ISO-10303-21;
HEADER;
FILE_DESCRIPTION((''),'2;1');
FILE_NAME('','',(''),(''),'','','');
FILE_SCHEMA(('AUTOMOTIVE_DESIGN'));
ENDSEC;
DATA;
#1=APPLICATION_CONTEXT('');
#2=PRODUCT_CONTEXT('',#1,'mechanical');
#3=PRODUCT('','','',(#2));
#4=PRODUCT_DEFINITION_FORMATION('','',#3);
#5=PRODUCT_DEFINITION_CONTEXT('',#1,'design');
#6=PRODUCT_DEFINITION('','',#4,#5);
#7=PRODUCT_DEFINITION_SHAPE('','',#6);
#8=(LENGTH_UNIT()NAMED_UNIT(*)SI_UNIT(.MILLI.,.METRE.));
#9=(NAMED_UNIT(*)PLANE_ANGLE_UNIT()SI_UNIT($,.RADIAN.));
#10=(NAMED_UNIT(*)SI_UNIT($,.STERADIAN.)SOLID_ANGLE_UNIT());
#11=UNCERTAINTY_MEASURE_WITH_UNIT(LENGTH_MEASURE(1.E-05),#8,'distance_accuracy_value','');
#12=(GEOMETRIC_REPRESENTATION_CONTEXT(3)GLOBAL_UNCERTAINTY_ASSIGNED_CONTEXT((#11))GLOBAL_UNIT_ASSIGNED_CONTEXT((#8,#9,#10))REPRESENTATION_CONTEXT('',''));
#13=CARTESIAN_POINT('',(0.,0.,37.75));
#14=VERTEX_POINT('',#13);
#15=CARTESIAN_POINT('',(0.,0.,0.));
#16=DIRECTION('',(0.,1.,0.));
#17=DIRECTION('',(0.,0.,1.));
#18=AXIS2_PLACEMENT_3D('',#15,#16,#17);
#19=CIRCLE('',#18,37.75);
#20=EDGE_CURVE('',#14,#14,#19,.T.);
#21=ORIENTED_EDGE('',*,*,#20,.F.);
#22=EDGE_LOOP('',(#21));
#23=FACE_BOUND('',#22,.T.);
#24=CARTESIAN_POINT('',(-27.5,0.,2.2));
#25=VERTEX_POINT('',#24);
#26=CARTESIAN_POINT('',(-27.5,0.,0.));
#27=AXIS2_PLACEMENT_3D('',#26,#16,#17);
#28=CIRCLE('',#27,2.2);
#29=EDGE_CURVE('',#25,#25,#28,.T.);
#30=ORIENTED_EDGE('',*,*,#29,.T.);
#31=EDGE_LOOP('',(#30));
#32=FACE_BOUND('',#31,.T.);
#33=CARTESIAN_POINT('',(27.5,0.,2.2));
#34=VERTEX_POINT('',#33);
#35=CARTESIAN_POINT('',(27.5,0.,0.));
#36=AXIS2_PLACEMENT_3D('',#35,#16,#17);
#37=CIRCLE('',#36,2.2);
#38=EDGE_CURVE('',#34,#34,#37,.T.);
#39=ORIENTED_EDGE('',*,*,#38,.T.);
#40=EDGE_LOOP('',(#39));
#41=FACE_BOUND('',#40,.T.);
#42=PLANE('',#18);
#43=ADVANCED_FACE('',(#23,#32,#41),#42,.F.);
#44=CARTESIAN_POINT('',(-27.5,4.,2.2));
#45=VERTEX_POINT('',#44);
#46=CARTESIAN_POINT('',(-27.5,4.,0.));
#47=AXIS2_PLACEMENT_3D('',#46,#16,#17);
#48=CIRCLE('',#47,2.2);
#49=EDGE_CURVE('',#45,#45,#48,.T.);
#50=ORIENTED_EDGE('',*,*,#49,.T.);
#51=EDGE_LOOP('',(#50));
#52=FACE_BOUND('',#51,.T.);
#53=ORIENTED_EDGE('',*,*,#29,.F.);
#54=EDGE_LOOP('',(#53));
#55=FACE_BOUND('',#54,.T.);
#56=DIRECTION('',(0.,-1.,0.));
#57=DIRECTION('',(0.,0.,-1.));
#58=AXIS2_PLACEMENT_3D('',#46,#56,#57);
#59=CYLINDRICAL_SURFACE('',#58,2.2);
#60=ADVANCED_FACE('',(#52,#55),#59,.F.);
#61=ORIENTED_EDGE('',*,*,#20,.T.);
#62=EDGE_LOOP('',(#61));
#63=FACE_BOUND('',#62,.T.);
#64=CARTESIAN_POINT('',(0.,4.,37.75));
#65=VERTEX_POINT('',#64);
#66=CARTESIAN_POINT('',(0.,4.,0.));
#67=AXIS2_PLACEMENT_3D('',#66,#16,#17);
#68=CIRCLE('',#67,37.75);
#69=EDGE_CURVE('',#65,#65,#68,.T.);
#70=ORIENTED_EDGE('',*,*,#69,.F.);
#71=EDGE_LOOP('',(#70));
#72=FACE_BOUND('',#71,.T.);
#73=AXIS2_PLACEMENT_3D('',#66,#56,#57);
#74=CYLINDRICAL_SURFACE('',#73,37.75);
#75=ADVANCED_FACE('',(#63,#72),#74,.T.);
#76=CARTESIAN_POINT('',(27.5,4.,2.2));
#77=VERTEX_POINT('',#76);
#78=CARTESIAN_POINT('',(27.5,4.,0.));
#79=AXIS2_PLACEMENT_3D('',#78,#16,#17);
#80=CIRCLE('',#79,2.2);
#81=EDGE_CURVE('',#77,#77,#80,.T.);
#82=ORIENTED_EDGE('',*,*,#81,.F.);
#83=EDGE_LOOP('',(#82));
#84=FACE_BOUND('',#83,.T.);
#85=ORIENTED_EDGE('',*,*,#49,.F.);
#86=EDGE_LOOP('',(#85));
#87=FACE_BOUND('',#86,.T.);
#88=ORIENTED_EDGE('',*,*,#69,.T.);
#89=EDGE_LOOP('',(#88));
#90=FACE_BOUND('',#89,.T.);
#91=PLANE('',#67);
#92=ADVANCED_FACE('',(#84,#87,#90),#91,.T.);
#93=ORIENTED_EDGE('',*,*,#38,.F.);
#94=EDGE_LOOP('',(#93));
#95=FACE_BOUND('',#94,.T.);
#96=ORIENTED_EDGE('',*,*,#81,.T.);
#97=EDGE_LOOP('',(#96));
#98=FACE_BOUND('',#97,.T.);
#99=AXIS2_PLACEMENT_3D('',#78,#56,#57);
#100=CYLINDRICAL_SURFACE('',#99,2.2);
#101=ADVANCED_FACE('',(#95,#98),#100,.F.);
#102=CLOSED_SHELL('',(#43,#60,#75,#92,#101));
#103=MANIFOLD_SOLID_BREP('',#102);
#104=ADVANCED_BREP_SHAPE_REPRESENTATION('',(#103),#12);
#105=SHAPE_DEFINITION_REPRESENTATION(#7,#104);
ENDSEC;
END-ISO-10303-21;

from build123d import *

# Parameters (mm, degrees)
SKETCH1_R           = 37.75
SKETCH1_R_2         = 2.2
BOSS_EXTRUDE1_DEPTH = 4


with BuildPart() as part:
    # Sketch1 → Boss-Extrude1 (new body)
    with BuildSketch(Plane(origin=(0, 0, 0), x_dir=(1, 0, 0), z_dir=(0, 1, 0))):
        with Locations(Location((0, 0, 0), (0, 0, 270))):
            Circle(SKETCH1_R)
        with Locations(Location((-27.5, 0, 0), (0, 0, 270))):
            Circle(SKETCH1_R_2, mode=Mode.SUBTRACT)
        with Locations(Location((27.5, 0, 0), (0, 0, 270))):
            Circle(SKETCH1_R_2, mode=Mode.SUBTRACT)
    extrude(amount=BOSS_EXTRUDE1_DEPTH)


solid = part.part
